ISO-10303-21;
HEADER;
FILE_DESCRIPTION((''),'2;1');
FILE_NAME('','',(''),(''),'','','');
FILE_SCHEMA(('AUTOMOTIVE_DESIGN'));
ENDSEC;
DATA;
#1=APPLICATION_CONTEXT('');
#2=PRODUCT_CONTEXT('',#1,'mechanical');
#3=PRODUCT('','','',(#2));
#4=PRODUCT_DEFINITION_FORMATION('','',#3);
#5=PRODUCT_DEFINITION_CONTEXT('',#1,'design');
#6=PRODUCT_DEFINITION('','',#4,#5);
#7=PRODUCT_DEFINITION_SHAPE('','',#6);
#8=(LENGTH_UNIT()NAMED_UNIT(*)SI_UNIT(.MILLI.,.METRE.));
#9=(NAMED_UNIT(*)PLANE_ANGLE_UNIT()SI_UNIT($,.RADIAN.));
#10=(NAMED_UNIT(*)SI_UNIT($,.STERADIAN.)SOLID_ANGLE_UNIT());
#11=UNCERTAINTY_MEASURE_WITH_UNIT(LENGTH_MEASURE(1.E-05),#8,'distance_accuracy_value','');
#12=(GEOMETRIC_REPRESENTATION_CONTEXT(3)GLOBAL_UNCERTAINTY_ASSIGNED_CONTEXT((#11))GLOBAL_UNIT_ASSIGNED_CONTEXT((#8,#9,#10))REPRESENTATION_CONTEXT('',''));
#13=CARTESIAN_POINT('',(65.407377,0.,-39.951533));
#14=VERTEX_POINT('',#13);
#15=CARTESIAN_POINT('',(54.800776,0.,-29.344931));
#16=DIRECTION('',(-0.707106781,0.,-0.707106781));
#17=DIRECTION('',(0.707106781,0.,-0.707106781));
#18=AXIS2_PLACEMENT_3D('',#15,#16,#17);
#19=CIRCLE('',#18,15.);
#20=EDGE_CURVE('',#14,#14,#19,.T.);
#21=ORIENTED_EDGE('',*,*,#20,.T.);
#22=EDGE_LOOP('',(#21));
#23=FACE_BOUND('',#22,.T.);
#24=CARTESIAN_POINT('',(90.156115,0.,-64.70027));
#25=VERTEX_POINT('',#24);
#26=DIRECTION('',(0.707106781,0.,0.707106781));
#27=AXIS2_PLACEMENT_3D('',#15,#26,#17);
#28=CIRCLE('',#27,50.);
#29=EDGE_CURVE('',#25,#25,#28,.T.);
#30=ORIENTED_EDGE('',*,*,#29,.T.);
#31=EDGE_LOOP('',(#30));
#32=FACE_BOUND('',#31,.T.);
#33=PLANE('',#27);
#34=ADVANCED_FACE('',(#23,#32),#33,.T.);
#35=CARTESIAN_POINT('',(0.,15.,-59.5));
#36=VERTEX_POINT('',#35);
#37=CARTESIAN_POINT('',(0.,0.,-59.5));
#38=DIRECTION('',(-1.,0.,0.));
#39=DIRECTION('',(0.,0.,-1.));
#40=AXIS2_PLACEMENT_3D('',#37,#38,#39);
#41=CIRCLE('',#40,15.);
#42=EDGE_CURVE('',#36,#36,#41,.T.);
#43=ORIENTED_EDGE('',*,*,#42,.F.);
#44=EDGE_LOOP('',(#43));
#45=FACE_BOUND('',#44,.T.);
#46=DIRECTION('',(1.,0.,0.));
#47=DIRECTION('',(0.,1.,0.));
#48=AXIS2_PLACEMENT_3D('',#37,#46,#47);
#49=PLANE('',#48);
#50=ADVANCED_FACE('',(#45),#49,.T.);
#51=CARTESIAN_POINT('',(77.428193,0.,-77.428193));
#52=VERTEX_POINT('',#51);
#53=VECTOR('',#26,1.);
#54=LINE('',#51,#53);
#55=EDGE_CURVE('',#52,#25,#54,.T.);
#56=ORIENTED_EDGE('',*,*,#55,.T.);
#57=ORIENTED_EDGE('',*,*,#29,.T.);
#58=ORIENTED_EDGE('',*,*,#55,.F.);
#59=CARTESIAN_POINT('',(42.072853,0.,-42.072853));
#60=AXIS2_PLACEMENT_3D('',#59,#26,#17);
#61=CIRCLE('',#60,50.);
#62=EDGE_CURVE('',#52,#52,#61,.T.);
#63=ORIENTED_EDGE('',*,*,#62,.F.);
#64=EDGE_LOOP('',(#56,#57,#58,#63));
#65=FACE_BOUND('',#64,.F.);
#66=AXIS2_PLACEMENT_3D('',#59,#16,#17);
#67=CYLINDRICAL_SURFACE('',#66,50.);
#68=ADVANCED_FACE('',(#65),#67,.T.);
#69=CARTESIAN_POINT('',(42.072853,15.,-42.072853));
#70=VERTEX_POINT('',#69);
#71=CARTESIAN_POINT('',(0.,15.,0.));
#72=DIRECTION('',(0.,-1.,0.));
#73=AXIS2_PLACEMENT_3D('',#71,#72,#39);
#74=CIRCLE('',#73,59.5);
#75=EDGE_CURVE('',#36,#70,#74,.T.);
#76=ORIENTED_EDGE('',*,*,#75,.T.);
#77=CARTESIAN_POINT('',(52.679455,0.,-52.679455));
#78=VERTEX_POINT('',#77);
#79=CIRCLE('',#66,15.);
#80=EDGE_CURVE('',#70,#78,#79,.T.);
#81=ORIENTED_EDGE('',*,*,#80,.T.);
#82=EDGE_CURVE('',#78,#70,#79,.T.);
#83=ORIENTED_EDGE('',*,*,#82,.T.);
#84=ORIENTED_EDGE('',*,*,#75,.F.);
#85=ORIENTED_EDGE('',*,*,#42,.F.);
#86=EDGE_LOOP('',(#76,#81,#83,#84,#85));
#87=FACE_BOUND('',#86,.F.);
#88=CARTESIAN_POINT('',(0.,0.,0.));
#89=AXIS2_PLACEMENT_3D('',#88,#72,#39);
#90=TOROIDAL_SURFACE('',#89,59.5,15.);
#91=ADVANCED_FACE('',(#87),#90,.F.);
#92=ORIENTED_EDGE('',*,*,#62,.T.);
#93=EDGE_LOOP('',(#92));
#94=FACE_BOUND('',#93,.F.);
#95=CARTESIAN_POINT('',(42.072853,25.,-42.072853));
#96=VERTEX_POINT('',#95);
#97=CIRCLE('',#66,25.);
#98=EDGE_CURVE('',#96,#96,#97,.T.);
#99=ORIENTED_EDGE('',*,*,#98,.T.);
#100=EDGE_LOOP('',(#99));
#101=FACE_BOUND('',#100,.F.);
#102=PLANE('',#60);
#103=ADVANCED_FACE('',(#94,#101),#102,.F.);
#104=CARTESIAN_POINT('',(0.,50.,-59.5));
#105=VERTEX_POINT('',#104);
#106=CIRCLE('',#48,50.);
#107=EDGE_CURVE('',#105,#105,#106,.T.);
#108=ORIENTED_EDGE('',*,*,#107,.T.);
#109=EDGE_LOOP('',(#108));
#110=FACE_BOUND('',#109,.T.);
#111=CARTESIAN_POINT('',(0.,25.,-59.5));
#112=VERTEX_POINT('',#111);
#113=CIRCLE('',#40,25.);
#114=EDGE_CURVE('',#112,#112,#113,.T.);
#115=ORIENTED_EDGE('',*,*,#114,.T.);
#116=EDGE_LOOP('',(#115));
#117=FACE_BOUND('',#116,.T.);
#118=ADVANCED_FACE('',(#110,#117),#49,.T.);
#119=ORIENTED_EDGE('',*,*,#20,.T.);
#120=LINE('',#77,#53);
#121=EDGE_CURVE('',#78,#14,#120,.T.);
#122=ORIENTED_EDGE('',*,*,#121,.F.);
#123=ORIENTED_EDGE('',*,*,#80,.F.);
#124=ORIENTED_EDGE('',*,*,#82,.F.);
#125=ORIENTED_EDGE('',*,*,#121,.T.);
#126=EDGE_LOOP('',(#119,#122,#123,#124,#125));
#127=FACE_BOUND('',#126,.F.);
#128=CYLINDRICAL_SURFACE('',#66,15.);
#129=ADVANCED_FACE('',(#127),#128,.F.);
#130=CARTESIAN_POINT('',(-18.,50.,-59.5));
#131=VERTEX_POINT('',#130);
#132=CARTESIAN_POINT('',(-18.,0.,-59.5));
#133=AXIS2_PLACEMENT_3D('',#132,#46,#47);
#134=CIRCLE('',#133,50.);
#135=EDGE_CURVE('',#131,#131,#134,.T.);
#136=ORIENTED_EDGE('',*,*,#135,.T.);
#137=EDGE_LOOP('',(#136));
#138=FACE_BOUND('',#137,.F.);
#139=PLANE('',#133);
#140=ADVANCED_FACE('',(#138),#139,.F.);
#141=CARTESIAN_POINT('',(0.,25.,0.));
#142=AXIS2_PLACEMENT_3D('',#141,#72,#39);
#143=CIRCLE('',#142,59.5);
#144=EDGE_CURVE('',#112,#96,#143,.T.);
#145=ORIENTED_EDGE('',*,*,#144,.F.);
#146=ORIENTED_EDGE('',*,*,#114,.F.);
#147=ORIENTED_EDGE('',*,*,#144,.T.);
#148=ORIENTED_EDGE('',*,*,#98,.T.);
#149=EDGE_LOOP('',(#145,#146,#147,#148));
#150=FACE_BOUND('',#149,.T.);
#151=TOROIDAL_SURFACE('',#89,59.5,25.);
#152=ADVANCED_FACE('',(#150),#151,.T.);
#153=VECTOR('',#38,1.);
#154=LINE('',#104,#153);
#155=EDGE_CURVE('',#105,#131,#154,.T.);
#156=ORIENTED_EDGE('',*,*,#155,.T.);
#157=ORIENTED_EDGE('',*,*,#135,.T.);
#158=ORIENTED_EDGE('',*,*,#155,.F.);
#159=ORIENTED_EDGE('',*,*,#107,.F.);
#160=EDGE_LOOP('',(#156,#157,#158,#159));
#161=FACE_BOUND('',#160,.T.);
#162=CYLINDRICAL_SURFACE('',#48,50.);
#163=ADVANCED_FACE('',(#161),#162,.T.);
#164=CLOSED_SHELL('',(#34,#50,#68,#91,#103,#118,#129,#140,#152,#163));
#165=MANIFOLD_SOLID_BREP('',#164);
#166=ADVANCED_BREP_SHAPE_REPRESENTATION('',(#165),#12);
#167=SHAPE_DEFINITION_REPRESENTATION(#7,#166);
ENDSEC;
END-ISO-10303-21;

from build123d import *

# Parameters (mm, degrees)
F1_R     = 50
F1_R_2   = 25
F2_DEPTH = 18
F4_R     = 50
F5_DEPTH = 18


with BuildPart() as f2:
    # F1 (on Right) → F2 (new body)
    with BuildSketch(Plane.YZ):
        with Locations((0, -59.5)):
            Circle(F1_R)
        with Locations((0, -59.5)):
            Circle(F1_R_2, mode=Mode.SUBTRACT)
        with Locations((0, -59.5)):
            Circle(F1_R_2)
        with BuildLine():
            ThreePointArc((0, -44.5), (10.6066017178, -48.8933982822), (15, -59.5))
            ThreePointArc((15, -59.5), (-10.6066017178, -70.1066017178), (0, -44.5))
        make_face(mode=Mode.SUBTRACT)
        with BuildLine():
            ThreePointArc((0, -44.5), (-10.6066017178, -70.1066017178), (15, -59.5))
            ThreePointArc((15, -59.5), (10.6066017178, -48.8933982822), (0, -44.5))
        make_face()
    extrude(amount=-F2_DEPTH)

    # F3: sweep along a path in F0
    with BuildLine(Plane.XZ) as f3_path:
        ThreePointArc((0, -59.5), (22.7696642257, -54.9708321844), (42.0728534806, -42.0728534806))
    # F1 (on Right) → F3 (sweep)
    with BuildSketch(Plane.YZ):
        with Locations((0, -59.5)):
            Circle(F1_R_2)
        with BuildLine():
            ThreePointArc((0, -44.5), (10.6066017178, -48.8933982822), (15, -59.5))
            ThreePointArc((15, -59.5), (-10.6066017178, -70.1066017178), (0, -44.5))
        make_face(mode=Mode.SUBTRACT)
    sweep(path=f3_path.line)

    # F4 (on face) → F5 (join)
    with BuildSketch(Plane(origin=(0, 0, 0), x_dir=(0.7071067812, 0, -0.7071067812), z_dir=(0.7071067812, 0, 0.7071067812))):
        with Locations((59.5, 0)):
            Circle(F4_R)
        with BuildLine():
            ThreePointArc((59.5, 15), (70.1066017178, 10.6066017178), (74.5, 0))
            ThreePointArc((74.5, 0), (48.8933982822, -10.6066017178), (59.5, 15))
        make_face(mode=Mode.SUBTRACT)
    extrude(amount=F5_DEPTH)


solid = f2.part
